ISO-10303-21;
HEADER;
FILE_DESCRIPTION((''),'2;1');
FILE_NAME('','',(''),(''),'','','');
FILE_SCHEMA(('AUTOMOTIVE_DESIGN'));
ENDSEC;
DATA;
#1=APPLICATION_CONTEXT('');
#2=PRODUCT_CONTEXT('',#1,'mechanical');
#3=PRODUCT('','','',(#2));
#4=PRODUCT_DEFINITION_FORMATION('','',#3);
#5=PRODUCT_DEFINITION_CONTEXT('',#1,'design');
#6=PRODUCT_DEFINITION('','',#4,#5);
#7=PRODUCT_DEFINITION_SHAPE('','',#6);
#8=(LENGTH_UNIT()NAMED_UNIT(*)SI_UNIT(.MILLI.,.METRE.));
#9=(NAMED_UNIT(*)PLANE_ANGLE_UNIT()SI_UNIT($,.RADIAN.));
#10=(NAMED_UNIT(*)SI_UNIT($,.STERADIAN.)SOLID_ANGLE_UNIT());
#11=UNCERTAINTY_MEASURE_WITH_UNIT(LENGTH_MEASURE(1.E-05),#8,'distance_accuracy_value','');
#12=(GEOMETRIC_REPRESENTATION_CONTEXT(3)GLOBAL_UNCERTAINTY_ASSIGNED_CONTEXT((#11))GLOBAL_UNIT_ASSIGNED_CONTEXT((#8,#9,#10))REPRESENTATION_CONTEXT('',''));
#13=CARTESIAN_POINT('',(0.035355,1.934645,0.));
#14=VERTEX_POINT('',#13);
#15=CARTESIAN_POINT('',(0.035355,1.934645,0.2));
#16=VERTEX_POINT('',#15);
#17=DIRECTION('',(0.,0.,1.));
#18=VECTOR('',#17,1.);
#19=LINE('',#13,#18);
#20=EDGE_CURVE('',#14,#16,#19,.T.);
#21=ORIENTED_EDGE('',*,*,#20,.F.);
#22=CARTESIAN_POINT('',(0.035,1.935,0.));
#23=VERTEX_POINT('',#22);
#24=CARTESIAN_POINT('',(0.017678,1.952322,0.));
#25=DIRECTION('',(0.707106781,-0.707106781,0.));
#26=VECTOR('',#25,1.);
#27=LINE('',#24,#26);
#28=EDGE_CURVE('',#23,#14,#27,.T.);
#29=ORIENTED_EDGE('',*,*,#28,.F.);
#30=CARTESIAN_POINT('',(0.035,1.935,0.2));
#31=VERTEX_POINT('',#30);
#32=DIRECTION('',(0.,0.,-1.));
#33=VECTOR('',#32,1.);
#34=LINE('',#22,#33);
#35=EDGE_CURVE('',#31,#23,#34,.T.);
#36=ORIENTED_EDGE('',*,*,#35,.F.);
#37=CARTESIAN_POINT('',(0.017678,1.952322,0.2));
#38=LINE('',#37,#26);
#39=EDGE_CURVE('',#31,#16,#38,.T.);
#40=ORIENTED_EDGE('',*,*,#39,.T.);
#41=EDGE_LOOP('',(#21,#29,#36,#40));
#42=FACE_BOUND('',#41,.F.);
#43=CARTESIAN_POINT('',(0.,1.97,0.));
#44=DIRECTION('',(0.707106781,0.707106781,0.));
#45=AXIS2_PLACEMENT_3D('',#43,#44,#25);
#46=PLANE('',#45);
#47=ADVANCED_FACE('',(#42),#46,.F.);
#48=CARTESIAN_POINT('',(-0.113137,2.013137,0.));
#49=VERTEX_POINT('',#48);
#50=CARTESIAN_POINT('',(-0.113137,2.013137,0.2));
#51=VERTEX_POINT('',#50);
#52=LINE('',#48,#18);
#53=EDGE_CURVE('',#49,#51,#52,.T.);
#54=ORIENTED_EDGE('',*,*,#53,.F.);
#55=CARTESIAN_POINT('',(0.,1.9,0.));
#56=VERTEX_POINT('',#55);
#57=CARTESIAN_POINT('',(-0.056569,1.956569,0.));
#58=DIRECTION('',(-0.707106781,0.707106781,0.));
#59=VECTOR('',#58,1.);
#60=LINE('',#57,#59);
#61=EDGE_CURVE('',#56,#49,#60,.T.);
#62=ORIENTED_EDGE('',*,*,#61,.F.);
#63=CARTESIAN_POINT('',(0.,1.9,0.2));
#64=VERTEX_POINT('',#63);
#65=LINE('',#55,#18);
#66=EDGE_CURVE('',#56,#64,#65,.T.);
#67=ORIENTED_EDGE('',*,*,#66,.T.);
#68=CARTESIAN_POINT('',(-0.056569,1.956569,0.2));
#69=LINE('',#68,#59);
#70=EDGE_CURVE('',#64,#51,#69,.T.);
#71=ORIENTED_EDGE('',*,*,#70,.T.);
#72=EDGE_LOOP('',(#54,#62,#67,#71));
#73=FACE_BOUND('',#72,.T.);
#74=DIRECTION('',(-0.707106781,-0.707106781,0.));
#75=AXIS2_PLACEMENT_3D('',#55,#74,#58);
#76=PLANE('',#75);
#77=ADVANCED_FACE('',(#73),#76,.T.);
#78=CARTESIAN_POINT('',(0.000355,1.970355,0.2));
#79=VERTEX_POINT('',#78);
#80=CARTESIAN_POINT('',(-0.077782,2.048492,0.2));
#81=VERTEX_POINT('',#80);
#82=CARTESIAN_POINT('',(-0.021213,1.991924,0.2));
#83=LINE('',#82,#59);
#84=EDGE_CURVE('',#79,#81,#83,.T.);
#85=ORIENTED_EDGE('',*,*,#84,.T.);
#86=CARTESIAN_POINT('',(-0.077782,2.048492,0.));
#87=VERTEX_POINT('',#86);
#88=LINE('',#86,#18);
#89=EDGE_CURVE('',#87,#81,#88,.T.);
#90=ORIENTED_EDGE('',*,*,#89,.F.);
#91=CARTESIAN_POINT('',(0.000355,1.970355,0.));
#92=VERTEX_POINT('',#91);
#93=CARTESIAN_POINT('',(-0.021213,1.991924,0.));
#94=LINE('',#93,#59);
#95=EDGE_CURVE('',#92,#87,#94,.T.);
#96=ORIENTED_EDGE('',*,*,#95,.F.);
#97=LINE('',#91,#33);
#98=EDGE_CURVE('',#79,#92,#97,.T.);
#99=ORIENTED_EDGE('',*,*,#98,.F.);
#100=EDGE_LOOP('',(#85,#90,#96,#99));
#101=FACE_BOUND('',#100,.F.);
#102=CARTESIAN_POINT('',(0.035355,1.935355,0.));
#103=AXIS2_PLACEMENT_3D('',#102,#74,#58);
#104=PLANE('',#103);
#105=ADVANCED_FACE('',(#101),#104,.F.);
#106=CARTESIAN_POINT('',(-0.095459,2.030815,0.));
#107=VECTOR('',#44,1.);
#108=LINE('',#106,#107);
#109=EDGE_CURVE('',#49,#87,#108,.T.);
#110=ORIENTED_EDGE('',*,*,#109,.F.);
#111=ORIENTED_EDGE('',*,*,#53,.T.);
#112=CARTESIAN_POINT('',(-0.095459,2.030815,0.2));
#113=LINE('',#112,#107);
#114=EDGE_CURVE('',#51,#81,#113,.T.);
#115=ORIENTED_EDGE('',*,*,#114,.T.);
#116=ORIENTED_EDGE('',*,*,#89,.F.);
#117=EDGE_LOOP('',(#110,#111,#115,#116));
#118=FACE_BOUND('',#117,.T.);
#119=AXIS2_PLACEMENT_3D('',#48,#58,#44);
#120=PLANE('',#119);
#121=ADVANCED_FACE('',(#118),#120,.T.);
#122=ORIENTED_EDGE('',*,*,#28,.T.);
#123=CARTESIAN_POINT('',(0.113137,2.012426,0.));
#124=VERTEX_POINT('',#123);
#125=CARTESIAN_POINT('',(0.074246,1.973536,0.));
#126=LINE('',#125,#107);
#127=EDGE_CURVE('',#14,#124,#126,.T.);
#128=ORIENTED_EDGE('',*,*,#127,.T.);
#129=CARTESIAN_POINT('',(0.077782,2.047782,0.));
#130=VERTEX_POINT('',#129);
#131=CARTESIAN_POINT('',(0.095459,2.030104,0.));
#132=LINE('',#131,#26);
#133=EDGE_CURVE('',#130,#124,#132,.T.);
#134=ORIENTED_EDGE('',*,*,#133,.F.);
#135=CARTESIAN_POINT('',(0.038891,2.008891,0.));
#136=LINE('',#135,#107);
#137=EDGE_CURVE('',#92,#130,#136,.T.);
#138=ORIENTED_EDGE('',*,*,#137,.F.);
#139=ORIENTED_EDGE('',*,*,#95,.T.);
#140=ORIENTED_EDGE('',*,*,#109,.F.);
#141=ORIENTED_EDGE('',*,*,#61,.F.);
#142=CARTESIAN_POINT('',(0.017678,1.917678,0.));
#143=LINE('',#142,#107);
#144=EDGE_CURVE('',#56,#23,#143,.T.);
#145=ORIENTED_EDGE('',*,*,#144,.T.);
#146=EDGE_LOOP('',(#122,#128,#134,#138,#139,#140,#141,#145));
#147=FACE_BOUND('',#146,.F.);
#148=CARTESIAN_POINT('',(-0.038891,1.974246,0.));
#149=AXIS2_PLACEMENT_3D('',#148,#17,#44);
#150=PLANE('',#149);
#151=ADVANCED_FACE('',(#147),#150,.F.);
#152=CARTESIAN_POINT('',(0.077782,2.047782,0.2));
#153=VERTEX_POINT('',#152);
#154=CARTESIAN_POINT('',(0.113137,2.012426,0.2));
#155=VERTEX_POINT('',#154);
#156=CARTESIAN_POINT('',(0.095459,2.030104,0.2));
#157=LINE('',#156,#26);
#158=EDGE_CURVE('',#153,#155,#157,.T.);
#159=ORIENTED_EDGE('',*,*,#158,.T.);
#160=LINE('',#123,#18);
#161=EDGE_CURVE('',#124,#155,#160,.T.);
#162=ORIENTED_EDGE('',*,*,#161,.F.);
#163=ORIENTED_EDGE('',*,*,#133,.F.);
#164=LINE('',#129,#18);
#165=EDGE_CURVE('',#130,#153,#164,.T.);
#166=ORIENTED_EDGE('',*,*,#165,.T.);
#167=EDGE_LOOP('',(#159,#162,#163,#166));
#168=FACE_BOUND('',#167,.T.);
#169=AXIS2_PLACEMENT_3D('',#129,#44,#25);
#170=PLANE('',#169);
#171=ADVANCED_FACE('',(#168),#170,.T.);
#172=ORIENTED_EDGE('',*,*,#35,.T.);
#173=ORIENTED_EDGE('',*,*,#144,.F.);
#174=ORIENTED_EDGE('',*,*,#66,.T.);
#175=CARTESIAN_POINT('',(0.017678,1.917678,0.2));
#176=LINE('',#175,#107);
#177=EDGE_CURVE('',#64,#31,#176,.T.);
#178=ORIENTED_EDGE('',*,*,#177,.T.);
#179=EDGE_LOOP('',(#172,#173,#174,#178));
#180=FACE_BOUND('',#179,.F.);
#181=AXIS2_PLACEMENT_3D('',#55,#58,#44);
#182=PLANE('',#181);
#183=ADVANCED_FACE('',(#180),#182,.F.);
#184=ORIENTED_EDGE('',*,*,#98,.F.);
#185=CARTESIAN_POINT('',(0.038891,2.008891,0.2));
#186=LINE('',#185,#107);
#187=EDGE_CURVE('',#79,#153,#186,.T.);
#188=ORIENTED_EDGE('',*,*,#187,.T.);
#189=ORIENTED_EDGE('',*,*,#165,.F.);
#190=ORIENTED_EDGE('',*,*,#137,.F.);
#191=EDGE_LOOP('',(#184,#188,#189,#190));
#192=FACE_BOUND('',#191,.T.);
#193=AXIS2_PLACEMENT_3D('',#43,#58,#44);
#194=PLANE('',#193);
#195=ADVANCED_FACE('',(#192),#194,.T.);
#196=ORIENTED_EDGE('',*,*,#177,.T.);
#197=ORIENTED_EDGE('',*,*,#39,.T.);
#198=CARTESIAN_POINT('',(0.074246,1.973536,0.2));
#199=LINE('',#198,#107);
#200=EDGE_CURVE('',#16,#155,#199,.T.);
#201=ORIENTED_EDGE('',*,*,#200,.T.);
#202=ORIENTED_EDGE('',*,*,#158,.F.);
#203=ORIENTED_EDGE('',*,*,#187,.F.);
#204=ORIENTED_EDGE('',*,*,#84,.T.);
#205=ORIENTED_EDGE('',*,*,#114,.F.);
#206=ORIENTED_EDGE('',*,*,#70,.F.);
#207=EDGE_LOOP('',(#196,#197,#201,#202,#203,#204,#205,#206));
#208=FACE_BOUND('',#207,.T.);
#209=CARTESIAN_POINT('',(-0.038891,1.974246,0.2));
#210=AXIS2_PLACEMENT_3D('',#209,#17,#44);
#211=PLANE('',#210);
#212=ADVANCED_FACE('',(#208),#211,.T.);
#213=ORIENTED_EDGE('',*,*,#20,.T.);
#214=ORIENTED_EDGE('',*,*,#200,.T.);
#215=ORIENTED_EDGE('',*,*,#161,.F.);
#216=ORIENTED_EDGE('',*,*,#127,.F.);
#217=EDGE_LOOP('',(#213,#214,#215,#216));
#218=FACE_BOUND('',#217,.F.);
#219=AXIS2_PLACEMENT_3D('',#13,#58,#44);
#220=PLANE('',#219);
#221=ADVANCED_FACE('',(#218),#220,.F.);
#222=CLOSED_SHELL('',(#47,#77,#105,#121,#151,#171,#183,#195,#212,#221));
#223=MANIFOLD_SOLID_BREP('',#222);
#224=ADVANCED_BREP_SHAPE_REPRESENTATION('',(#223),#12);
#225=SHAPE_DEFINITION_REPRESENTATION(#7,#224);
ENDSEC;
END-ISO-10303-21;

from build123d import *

# Parameters (mm, degrees)
BOX001_W               = 0.05
BOX001_H               = 0.11
BOX001_DEPTH           = 0.2
BOX001_PLACEMENT_ANGLE = -45
BOX_W                  = 0.05
BOX_H                  = 0.16
BOX_DEPTH              = 0.2
BOX_PLACEMENT_ANGLE    = 45


with BuildPart() as kub001:
    # Box001 → Box001 (new body)
    with BuildSketch(Plane.XY):
        with Locations((0.025, 0.055)):
            Rectangle(BOX001_W, BOX001_H)
    extrude(amount=BOX001_DEPTH)


with BuildPart() as kub001_1:
    # Box001 placement: moved
    add(kub001.part.moved(Location((0, 1.97, 0))).rotate(Axis((0, 1.97, 0), (0, 0, 1)), BOX001_PLACEMENT_ANGLE))


with BuildPart() as fusion:
    # Box → Box (new body)
    with BuildSketch(Plane.XY):
        with Locations((0.025, 0.08)):
            Rectangle(BOX_W, BOX_H)
    extrude(amount=BOX_DEPTH)


with BuildPart() as fusion_1:
    # Box placement: moved
    add(fusion.part.moved(Location((0, 1.9, 0))).rotate(Axis((0, 1.9, 0), (0, 0, 1)), BOX_PLACEMENT_ANGLE))

    # Fusion: union Kub001
    add(kub001_1.part)


solid = fusion_1.part
